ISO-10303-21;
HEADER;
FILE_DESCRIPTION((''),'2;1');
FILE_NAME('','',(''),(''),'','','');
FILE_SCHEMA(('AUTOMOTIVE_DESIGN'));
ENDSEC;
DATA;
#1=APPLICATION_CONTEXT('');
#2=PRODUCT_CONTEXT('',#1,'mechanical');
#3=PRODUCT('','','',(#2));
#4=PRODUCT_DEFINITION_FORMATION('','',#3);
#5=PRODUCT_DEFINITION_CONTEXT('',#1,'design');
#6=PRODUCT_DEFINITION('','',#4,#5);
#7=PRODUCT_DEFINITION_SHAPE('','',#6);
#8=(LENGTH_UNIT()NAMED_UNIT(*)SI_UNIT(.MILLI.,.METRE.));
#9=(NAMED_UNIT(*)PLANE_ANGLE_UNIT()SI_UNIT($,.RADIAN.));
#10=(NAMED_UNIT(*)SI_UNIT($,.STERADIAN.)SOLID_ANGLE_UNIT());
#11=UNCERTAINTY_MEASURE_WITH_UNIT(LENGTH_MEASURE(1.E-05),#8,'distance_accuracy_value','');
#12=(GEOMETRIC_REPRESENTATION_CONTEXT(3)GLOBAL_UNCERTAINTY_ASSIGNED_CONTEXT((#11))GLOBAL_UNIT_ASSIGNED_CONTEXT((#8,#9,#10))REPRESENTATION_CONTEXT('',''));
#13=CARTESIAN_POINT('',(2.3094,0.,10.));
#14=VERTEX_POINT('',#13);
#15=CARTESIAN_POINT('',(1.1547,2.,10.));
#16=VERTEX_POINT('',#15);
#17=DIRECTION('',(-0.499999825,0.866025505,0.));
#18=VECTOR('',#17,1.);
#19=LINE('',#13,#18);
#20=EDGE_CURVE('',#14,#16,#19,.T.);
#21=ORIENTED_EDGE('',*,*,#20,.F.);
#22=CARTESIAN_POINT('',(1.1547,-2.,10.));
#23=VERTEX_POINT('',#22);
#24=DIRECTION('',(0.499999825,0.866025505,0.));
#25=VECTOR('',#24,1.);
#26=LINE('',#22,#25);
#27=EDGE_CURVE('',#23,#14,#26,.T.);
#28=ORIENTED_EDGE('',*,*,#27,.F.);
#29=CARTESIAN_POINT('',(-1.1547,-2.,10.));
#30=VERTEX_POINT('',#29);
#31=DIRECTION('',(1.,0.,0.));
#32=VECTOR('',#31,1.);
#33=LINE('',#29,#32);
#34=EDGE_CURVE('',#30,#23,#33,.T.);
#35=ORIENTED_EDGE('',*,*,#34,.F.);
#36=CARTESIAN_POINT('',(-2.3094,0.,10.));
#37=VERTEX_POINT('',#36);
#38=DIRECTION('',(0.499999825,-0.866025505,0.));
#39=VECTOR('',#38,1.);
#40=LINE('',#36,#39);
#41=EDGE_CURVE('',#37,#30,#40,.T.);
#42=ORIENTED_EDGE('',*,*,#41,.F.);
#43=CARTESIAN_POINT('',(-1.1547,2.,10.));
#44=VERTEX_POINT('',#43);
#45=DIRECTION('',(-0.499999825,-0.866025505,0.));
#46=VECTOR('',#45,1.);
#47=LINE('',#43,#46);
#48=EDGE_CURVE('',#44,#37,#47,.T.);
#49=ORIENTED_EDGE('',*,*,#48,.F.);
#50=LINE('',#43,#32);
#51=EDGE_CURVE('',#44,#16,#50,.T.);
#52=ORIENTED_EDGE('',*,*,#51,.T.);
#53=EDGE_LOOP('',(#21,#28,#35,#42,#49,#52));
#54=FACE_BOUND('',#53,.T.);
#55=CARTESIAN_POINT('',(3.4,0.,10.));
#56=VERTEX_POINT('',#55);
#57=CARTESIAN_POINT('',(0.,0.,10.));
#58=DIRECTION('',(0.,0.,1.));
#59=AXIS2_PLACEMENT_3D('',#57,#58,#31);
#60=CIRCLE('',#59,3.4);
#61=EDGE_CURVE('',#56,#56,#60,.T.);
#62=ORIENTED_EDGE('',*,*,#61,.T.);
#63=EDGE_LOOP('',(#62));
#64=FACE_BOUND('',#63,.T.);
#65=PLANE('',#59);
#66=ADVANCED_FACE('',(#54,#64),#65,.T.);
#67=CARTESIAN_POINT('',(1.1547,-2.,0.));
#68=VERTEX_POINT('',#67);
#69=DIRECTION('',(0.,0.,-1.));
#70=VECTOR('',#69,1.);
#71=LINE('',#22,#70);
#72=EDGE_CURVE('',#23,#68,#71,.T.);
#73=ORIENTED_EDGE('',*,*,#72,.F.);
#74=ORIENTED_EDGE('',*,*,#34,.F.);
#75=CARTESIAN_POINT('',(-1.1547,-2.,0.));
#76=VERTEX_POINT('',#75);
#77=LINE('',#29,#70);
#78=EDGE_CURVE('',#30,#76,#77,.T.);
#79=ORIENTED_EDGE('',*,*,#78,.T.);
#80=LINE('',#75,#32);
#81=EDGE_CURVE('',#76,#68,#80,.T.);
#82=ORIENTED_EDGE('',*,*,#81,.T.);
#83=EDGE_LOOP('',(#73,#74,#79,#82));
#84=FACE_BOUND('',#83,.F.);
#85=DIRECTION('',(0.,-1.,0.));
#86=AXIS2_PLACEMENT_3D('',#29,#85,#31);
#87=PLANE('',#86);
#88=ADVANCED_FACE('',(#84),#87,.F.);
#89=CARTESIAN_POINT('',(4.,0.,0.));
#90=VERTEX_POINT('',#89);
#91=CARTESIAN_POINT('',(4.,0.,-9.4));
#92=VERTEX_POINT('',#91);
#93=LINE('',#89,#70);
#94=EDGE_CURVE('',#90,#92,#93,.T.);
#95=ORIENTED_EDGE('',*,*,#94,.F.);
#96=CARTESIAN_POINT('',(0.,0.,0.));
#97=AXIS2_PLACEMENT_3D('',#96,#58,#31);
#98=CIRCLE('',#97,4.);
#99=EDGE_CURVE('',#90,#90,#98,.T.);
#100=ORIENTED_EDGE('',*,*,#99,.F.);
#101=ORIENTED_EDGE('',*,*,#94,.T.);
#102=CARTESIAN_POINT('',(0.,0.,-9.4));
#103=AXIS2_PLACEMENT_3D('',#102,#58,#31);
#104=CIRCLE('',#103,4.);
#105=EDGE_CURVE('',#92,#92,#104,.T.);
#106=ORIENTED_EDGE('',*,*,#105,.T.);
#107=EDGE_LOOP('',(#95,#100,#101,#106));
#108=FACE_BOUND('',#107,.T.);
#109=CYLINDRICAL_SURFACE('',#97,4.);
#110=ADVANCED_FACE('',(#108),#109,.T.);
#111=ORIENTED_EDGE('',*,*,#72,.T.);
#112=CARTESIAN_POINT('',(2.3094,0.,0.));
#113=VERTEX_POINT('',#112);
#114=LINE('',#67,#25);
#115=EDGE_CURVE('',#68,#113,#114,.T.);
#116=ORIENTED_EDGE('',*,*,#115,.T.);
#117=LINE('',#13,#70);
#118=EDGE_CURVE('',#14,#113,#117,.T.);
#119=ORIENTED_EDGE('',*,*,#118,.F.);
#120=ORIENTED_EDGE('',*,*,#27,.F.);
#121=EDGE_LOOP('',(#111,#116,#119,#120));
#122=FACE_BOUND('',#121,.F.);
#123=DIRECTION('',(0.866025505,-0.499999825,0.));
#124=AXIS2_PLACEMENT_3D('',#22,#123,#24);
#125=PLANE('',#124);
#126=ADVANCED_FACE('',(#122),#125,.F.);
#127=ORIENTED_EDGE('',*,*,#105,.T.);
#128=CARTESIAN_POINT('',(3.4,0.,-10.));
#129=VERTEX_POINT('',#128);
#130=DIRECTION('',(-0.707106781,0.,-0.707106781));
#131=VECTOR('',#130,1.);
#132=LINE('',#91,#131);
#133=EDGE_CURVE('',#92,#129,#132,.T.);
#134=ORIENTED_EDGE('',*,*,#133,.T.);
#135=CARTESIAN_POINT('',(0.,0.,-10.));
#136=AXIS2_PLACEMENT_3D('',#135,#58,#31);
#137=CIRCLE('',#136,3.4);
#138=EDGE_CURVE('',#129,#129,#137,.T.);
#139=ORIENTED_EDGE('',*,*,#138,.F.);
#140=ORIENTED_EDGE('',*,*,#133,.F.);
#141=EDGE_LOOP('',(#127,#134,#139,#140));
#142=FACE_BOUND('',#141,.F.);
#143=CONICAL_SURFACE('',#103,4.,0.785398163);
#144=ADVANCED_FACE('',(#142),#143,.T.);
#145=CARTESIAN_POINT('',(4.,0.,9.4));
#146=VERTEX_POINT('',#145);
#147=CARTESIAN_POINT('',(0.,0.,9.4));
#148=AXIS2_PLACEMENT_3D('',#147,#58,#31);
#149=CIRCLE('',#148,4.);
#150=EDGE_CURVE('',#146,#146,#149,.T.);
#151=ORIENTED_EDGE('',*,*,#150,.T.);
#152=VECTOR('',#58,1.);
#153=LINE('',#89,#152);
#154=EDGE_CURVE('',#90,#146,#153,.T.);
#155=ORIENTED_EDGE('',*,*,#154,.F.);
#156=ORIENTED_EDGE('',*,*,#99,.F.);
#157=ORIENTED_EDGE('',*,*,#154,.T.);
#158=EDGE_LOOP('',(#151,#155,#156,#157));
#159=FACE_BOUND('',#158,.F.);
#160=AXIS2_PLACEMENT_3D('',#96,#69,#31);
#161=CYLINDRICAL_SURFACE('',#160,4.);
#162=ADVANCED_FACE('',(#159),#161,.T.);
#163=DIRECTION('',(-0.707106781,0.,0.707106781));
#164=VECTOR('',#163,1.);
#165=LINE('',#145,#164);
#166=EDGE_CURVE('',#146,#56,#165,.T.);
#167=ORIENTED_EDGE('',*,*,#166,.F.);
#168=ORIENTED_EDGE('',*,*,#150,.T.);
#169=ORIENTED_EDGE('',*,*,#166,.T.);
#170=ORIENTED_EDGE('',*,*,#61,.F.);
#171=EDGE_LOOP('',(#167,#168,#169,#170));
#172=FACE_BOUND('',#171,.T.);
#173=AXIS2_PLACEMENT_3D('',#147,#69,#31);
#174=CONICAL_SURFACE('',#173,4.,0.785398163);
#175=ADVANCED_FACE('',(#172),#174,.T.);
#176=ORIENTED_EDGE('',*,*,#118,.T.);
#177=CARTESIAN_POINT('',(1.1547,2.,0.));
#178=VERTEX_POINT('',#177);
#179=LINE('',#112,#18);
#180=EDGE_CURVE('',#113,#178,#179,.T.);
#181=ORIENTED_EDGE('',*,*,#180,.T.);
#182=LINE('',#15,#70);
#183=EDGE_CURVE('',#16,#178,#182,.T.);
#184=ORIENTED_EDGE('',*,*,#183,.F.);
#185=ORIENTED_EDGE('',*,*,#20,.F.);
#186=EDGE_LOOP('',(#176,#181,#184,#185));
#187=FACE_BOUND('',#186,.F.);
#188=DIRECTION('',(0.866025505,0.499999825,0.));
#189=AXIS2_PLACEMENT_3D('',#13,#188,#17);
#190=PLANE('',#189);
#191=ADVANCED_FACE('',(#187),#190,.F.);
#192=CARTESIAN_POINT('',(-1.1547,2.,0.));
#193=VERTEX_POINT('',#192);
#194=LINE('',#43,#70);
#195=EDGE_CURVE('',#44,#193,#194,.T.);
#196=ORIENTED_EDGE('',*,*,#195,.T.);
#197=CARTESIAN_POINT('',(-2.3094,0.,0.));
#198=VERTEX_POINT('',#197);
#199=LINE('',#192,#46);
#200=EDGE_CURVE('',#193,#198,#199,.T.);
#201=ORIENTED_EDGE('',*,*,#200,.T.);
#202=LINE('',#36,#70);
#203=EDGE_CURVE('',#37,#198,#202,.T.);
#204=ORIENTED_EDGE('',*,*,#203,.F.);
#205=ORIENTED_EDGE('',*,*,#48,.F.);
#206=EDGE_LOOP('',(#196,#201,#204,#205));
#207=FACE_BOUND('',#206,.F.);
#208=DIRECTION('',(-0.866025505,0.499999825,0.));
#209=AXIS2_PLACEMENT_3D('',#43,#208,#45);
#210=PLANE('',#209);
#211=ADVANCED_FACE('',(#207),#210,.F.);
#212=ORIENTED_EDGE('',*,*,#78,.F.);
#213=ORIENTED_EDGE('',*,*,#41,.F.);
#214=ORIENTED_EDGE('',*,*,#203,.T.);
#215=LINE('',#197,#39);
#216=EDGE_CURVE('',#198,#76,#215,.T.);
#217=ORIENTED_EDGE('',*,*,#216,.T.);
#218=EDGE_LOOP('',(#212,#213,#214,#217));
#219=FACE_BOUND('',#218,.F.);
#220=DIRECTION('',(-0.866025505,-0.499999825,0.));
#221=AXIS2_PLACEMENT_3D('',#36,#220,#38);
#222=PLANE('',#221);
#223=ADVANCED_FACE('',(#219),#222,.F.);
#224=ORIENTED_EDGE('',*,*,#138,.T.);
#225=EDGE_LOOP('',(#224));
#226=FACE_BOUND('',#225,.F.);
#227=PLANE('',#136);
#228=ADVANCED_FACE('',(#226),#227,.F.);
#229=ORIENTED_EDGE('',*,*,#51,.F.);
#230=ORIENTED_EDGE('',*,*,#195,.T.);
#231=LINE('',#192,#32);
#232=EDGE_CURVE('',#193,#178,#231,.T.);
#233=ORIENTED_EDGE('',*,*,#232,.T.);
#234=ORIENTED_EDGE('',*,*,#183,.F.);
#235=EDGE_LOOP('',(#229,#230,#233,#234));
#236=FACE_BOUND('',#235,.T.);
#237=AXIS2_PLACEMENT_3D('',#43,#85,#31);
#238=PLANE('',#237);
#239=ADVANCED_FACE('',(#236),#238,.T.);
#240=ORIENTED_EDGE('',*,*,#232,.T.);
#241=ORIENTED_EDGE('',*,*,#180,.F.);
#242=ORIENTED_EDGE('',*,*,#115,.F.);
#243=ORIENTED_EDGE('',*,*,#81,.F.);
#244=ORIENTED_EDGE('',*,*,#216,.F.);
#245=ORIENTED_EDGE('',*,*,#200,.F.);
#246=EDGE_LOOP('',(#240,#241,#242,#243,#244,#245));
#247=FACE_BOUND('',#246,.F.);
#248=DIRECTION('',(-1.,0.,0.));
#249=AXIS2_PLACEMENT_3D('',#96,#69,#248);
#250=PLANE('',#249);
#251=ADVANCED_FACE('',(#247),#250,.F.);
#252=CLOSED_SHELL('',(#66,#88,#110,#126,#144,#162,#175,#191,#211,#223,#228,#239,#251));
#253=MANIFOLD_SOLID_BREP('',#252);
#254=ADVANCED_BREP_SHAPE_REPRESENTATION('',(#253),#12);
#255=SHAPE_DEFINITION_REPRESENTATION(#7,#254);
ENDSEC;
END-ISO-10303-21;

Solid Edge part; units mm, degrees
sketch "Sketch1" plane through (0, 0, 0) normal (0, 0, 1) x (1, 0, 0)
  circle A0 centre (0, 0) radius 4
  dimension "D1" = 8
extrude "Protrusion1" add sketch "Sketch1" along normal mid plane 20
chamfer "Chamfer1" distance 0.6 angle 45 2 edges at (-4, 0, -10) (-4, 0, 10)
sketch "Sketch2" plane through (0, 0, 10) normal (0, 0, 1) x (1, 0, 0)
  line L0 (-1.1547, 2) -> (1.1547, 2)
  line L1 (2.3094, 0) -> (1.1547, 2)
  line L2 (1.1547, -2) -> (2.3094, 0)
  line L3 (-1.1547, -2) -> (1.1547, -2)
  line L4 (-2.3094, 0) -> (-1.1547, -2)
  line L5 (-1.1547, 2) -> (-2.3094, 0)
  dimension "D1" = 4
extrude "Cutout1" cut sketch "Sketch2" against normal blind 10
properties part number "113873"
